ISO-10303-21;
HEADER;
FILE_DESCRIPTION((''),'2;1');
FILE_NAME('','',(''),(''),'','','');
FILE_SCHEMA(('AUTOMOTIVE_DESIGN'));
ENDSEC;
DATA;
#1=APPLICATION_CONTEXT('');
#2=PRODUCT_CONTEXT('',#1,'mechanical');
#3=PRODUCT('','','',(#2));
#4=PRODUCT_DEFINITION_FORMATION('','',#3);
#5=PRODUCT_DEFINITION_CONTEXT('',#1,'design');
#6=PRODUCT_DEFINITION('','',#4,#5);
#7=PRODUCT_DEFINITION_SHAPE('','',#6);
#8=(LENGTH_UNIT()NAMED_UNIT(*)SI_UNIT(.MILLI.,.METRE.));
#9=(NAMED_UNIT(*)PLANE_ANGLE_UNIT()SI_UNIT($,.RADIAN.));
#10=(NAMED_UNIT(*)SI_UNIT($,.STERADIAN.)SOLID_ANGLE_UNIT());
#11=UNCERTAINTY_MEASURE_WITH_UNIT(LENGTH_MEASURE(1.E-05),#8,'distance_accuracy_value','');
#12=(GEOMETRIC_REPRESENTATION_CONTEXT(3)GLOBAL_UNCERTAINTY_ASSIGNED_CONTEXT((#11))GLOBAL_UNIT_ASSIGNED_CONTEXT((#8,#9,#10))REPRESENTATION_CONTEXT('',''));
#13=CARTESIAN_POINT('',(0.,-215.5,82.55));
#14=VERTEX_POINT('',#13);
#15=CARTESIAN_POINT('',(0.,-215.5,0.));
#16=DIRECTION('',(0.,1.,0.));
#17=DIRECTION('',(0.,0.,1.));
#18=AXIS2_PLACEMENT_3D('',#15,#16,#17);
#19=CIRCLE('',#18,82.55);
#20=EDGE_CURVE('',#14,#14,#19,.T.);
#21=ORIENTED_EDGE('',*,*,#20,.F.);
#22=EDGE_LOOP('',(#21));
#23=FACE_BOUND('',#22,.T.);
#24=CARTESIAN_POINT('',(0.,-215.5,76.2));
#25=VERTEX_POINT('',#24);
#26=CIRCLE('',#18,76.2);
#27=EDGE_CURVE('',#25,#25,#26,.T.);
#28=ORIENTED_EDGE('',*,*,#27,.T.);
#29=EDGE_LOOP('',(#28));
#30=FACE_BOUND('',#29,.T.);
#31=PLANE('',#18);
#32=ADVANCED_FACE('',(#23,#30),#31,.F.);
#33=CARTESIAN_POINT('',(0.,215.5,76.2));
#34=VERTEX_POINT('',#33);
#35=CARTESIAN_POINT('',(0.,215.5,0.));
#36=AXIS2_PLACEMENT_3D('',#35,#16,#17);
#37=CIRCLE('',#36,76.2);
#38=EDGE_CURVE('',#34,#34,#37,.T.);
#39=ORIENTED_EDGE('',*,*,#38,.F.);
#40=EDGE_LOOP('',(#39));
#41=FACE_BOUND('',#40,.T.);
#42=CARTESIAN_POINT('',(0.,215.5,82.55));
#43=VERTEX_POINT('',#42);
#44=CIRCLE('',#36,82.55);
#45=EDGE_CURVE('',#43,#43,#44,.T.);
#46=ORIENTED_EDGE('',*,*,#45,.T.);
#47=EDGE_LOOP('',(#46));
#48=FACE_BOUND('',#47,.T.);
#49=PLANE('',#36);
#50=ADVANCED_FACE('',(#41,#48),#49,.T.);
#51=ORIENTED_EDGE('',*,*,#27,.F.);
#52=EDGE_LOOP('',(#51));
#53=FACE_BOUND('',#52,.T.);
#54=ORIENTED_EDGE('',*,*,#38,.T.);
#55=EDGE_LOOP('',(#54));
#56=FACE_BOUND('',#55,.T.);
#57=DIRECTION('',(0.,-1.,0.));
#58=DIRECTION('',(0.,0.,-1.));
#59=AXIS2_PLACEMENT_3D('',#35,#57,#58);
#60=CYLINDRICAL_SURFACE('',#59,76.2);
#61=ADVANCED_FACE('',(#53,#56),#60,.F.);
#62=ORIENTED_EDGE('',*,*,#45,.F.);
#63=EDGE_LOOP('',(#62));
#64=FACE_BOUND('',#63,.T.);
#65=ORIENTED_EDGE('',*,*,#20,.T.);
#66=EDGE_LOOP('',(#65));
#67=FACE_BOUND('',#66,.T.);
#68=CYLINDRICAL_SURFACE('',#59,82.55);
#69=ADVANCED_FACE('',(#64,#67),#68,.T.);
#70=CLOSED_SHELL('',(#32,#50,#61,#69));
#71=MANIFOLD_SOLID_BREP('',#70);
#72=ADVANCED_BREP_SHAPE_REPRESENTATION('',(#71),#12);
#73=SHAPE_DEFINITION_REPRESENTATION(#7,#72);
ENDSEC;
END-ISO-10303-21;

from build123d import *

# Parameters (mm, degrees)
SKETCH1_R           = 82.55
SKETCH1_R_2         = 76.2
BOSS_EXTRUDE1_DEPTH = 215.5


with BuildPart() as part:
    # Sketch1 → Boss-Extrude1 (new body, symmetric)
    with BuildSketch(Plane(origin=(0, 0, 0), x_dir=(1, 0, 0), z_dir=(0, 1, 0))):
        Circle(SKETCH1_R)
        Circle(SKETCH1_R_2, mode=Mode.SUBTRACT)
    extrude(amount=BOSS_EXTRUDE1_DEPTH, both=True)


solid = part.part
